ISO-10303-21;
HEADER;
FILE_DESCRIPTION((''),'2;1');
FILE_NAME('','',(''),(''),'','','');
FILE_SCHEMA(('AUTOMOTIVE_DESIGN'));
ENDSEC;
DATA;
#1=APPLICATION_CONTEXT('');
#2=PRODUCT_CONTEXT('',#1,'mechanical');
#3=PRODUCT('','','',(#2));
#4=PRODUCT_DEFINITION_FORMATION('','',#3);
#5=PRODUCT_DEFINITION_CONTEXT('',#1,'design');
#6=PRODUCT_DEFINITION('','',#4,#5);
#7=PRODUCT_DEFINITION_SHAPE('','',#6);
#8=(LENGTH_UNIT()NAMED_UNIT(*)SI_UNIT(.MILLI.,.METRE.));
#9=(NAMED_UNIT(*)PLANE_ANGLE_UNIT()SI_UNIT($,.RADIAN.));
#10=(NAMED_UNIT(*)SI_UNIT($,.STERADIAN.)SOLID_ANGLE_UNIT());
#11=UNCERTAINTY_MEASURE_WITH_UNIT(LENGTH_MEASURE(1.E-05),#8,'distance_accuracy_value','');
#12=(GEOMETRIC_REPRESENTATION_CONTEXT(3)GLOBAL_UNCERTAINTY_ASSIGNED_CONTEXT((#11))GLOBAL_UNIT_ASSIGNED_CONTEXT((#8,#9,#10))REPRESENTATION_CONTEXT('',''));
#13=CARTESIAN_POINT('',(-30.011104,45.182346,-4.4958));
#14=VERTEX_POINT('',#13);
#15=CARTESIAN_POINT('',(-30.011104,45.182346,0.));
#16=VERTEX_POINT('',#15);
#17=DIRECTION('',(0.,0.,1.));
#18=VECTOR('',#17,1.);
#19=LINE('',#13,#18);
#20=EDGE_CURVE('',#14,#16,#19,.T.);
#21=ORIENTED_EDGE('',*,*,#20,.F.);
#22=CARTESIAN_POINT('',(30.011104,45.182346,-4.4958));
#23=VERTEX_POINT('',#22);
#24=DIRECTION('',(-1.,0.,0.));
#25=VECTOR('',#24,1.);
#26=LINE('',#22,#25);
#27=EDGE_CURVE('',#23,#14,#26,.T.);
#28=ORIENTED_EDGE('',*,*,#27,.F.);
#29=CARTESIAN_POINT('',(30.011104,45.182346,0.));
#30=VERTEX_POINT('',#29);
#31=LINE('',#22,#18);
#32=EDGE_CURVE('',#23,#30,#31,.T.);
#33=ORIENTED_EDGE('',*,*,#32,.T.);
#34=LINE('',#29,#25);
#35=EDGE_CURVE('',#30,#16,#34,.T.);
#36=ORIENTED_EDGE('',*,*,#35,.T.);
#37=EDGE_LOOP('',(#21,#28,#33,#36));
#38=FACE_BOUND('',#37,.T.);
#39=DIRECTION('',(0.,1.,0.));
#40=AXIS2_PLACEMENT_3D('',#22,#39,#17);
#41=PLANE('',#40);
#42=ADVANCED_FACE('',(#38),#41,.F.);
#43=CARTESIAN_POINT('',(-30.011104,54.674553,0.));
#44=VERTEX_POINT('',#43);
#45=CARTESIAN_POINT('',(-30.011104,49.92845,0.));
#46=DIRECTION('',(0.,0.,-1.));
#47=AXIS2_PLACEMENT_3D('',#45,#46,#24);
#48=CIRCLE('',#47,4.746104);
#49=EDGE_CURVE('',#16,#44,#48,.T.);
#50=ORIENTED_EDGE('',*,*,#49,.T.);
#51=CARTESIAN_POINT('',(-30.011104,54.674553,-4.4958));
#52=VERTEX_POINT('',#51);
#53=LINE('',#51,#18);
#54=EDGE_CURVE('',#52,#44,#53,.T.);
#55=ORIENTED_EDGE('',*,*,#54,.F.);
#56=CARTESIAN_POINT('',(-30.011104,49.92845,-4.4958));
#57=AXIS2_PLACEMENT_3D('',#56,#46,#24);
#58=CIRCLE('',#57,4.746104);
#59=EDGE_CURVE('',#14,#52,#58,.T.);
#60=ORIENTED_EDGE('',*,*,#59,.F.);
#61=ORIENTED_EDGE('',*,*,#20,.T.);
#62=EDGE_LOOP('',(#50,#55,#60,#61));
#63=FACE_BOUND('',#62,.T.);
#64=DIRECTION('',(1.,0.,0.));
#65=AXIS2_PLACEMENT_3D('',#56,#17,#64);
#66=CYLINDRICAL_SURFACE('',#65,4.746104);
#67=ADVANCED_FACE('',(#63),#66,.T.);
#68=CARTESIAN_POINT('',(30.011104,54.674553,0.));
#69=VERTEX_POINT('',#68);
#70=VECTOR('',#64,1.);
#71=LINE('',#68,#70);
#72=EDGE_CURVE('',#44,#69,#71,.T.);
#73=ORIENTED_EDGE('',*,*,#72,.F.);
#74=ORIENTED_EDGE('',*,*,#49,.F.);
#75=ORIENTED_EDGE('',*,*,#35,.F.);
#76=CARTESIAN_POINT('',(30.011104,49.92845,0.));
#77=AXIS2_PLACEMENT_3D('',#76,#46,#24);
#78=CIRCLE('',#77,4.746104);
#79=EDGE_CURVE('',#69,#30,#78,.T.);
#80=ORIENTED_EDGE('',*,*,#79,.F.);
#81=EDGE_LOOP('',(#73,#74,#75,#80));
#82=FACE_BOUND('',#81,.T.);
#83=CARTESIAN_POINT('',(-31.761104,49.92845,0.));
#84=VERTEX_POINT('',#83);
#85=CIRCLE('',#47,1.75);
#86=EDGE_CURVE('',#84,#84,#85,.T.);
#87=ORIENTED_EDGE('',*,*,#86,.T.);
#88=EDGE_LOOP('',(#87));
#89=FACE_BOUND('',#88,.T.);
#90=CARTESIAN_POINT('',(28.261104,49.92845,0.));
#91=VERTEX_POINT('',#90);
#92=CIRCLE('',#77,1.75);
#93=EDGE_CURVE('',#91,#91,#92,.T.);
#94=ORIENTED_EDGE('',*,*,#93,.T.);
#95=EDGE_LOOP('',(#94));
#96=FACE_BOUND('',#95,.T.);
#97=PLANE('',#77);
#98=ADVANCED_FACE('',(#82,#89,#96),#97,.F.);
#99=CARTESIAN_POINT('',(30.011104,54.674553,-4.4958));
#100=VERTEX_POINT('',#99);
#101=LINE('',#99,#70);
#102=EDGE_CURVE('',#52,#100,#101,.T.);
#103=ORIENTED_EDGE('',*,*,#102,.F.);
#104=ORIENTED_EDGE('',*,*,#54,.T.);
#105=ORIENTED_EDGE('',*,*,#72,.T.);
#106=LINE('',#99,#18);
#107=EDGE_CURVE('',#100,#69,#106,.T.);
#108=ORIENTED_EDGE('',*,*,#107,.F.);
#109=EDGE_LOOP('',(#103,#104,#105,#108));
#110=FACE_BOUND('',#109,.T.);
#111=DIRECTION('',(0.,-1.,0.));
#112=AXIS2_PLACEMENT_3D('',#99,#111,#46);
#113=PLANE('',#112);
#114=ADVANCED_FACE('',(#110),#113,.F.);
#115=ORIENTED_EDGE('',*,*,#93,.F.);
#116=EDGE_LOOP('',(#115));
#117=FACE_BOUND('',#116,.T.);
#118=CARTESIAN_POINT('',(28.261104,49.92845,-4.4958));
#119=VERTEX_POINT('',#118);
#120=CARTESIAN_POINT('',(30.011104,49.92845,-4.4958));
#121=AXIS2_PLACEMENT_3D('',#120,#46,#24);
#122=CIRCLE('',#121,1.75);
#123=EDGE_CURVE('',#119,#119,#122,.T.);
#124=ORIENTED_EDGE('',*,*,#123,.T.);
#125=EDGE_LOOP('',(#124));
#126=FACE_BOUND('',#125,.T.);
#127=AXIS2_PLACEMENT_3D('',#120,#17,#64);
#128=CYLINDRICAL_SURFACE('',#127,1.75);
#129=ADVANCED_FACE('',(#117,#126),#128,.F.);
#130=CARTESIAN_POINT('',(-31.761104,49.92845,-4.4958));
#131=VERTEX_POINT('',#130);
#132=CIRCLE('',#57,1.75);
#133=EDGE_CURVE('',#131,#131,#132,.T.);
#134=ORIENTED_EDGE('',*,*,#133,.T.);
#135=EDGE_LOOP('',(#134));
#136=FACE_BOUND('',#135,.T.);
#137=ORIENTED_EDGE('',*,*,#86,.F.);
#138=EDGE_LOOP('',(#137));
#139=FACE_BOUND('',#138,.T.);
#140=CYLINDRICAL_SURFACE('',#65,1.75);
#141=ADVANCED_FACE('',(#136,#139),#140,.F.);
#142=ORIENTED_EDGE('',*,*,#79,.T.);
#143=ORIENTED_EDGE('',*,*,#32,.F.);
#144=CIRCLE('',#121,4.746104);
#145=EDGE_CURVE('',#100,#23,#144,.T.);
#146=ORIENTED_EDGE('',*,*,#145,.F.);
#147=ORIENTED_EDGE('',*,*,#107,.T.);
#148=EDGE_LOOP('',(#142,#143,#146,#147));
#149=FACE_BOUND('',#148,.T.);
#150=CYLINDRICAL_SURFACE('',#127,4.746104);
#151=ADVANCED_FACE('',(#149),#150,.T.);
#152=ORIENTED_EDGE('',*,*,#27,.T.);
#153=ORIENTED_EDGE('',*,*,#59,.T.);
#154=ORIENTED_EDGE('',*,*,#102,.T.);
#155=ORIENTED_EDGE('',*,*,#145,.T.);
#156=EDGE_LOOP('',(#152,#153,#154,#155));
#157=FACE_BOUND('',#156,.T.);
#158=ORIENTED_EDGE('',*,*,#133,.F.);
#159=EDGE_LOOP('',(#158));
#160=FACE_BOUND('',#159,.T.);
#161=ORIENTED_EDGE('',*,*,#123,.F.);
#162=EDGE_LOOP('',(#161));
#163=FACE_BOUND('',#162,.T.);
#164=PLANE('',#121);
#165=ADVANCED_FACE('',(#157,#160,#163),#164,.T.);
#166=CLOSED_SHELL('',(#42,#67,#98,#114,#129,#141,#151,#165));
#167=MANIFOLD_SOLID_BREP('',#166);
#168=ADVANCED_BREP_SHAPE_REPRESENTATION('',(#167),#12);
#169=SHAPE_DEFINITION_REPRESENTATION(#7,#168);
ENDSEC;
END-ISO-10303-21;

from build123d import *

# Parameters (mm, degrees)
SKETCH2_R           = 1.75
BOSS_EXTRUDE1_DEPTH = 4.4958


with BuildPart() as part:
    # Sketch2 → Boss-Extrude1 (new body)
    with BuildSketch(Plane(origin=(0, 0, 0), x_dir=(-1, 0, 0), z_dir=(0, 0, -1))):
        with BuildLine():
            Line((-30.011103704, 54.674553391), (30.011103704, 54.674553391))
            ThreePointArc((30.011103704, 54.674553391), (34.757207408, 49.928449687), (30.011103704, 45.182345983))
            Line((30.011103704, 45.182345983), (-30.011103704, 45.182345983))
            ThreePointArc((-30.011103704, 45.182345983), (-34.757207408, 49.928449687), (-30.011103704, 54.674553391))
        make_face()
        with Locations((-30.011103704, 49.928449687)):
            Circle(SKETCH2_R, mode=Mode.SUBTRACT)
        with Locations((30.011103704, 49.928449687)):
            Circle(SKETCH2_R, mode=Mode.SUBTRACT)
    extrude(amount=BOSS_EXTRUDE1_DEPTH)


solid = part.part
